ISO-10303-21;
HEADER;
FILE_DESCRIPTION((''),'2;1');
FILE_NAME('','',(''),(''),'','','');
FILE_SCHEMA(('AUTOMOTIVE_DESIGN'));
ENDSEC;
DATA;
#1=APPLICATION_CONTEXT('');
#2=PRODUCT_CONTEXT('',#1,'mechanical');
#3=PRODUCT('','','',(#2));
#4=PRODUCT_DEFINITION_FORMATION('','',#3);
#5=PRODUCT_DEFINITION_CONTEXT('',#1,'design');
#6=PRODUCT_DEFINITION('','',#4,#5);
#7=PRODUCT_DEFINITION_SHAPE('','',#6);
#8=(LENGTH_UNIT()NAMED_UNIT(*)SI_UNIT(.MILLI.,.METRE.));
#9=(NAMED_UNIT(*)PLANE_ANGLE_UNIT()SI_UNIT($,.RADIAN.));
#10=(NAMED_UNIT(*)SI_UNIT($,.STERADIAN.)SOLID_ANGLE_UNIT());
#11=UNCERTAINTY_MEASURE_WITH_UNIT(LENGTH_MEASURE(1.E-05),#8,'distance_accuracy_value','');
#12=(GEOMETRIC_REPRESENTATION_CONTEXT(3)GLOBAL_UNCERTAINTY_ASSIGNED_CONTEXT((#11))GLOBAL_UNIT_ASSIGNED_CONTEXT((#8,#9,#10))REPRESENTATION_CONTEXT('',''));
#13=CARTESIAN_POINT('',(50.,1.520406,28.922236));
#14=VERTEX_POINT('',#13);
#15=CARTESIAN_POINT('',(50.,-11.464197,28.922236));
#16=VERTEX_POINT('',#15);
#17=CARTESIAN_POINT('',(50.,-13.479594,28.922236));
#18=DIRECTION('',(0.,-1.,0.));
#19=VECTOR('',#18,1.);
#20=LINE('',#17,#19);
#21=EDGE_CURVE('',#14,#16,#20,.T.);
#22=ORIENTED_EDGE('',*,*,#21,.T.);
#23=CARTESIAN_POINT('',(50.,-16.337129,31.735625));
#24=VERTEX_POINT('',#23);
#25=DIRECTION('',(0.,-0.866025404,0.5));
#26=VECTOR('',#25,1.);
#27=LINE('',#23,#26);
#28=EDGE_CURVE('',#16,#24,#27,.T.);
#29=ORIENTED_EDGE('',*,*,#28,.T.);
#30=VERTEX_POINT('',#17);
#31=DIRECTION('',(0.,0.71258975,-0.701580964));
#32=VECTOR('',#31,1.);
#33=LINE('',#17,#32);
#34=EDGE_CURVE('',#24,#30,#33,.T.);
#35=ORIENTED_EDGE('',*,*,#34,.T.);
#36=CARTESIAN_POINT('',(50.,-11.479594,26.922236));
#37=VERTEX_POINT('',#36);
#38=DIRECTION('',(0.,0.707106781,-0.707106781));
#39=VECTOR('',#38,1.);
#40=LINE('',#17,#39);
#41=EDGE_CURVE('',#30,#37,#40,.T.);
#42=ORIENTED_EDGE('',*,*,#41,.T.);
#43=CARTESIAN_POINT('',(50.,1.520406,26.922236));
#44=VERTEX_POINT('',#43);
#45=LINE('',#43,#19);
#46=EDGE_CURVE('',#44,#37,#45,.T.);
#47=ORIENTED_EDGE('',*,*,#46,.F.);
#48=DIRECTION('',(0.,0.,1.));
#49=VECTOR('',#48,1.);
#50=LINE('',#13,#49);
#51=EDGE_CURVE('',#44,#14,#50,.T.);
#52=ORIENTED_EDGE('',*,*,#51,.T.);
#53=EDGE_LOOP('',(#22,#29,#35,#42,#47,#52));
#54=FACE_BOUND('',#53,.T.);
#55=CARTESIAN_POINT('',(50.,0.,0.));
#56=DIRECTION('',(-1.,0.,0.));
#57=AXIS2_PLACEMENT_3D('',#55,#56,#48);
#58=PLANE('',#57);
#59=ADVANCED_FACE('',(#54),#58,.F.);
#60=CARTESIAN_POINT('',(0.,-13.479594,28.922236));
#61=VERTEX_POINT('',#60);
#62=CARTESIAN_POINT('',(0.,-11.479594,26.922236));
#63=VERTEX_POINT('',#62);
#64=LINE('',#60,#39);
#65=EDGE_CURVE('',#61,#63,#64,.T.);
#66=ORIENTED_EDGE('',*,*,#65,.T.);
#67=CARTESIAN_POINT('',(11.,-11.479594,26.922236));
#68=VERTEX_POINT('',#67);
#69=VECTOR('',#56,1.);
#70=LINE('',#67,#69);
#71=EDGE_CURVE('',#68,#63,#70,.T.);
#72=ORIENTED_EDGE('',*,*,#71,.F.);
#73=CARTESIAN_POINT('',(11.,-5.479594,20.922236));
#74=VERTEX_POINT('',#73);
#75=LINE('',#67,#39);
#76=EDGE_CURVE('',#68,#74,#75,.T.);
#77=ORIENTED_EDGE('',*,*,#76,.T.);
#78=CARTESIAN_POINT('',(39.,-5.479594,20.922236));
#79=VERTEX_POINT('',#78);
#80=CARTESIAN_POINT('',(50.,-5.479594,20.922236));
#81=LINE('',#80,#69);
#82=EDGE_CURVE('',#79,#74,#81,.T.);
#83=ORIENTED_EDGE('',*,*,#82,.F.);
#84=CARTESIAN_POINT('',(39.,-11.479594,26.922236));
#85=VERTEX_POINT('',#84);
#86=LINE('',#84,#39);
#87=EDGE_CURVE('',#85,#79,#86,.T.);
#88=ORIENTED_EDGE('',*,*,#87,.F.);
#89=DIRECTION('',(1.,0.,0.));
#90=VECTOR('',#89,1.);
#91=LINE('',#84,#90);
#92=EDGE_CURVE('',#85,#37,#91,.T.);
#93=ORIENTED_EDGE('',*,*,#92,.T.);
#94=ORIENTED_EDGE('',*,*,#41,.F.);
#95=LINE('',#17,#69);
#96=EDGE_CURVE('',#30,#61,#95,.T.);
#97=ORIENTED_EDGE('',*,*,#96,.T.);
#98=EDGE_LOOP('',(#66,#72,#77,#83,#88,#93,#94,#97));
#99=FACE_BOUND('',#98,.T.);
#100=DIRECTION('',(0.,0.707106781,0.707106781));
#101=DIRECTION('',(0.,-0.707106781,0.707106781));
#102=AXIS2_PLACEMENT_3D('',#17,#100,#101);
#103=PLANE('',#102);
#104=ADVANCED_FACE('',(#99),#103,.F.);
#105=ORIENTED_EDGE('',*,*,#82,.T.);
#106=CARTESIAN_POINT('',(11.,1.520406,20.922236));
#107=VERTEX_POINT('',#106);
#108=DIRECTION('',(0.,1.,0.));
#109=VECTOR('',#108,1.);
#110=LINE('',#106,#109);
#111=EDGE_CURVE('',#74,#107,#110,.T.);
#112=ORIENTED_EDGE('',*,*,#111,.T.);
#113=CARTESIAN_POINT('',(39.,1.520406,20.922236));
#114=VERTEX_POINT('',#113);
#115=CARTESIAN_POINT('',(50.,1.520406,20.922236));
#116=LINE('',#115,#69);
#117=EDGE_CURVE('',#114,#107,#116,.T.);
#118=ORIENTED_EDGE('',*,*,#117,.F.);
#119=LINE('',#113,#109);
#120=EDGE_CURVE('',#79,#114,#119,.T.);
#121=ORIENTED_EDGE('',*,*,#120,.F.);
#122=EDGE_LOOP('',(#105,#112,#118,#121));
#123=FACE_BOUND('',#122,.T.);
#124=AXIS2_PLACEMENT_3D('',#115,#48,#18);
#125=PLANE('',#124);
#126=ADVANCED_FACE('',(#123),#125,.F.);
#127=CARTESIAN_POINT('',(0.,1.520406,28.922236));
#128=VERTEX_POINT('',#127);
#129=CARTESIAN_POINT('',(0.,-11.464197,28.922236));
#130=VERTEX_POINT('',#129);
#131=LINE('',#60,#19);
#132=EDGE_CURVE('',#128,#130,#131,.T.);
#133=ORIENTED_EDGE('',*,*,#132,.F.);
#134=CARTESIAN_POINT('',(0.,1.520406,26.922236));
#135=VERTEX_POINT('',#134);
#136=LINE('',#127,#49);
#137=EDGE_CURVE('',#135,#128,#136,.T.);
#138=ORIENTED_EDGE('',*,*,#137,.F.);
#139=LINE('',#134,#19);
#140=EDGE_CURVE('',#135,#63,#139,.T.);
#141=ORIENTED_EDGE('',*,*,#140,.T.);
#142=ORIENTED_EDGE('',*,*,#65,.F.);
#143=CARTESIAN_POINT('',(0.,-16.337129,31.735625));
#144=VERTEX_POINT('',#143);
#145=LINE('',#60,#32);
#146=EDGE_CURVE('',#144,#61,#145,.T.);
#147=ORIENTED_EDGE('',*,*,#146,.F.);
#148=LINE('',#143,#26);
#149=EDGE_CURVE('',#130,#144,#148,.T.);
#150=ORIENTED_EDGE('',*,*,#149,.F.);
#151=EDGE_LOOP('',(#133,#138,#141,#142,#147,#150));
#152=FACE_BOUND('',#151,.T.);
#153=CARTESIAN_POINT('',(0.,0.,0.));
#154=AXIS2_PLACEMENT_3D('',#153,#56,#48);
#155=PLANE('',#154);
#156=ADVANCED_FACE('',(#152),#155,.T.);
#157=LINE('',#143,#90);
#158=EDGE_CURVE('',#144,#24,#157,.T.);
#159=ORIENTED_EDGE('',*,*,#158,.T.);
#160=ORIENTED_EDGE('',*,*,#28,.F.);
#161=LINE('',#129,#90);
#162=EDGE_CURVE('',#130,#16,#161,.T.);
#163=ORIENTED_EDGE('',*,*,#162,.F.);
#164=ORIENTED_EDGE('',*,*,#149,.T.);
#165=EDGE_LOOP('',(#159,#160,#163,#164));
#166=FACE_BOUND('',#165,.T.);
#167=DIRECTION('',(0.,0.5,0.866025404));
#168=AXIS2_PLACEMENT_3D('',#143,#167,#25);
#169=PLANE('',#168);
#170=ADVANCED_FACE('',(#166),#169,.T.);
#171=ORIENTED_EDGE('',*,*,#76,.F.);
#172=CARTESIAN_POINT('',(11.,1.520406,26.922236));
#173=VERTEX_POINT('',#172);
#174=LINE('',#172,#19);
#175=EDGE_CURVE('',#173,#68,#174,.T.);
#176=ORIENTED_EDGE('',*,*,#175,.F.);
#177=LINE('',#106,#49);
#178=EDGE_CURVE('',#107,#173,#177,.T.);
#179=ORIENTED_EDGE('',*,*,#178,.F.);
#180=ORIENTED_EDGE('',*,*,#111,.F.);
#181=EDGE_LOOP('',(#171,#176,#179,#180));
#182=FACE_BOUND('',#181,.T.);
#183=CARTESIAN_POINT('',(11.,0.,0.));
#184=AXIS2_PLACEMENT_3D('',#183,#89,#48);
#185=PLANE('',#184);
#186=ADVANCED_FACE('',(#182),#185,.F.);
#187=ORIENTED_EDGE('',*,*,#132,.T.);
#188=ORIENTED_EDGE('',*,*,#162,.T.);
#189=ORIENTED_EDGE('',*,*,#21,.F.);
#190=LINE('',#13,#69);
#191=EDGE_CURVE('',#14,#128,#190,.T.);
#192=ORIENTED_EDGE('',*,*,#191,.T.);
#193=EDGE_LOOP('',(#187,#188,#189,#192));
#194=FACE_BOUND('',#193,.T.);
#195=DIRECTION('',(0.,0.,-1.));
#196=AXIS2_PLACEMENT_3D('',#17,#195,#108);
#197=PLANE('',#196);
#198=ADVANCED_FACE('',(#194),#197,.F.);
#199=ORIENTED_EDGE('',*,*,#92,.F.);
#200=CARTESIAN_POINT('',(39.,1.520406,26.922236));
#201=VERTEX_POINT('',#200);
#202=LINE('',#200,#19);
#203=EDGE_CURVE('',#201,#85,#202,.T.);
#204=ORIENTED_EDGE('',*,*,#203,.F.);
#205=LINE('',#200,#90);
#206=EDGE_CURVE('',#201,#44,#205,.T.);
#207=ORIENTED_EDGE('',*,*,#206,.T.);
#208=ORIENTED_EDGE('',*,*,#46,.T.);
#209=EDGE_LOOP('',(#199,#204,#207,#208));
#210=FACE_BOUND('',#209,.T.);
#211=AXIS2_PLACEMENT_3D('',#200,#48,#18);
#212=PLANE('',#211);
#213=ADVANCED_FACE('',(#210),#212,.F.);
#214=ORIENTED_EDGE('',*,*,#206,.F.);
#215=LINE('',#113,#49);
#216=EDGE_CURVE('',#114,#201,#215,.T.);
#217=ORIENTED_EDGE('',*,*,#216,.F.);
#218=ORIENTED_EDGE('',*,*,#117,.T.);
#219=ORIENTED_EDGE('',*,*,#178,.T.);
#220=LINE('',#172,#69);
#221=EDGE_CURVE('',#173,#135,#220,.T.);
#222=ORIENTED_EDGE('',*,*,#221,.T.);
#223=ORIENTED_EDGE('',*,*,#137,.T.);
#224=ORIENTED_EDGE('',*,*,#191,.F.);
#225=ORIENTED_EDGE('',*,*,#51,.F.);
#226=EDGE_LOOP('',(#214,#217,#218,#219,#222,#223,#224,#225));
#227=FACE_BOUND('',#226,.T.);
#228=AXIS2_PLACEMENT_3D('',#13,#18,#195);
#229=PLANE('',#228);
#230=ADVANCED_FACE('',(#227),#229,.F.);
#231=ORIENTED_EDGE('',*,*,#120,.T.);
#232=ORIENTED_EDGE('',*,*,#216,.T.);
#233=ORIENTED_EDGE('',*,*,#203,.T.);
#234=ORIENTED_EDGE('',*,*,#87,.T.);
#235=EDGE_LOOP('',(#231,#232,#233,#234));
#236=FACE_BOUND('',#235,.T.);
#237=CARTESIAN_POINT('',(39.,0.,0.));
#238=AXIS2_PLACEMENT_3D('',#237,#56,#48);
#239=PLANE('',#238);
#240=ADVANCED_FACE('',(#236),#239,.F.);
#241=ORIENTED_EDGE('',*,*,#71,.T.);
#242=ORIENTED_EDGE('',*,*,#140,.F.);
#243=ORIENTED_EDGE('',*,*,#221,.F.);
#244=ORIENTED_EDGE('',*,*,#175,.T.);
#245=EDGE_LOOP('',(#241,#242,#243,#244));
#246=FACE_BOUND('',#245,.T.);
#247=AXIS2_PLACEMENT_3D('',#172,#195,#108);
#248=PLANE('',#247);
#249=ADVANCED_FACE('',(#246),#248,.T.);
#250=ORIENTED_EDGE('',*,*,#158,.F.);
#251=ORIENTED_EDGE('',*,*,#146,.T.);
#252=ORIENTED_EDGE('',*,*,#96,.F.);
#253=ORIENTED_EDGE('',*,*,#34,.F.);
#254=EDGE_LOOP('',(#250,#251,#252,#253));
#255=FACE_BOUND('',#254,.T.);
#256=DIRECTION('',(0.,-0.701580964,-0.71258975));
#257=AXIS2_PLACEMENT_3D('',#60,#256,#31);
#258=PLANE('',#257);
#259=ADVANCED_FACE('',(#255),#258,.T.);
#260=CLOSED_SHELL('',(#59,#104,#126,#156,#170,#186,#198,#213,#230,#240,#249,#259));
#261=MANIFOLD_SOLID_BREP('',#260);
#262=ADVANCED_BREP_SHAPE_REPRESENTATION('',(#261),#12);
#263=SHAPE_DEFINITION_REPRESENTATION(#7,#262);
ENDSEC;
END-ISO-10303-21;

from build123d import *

# Parameters (mm, degrees)
BOSS_EXTRUDE1_DEPTH = 50
CUT_EXTRUDE1_DEPTH  = 11
BOSS_EXTRUDE2_DEPTH = 50


with BuildPart() as part:
    # Sketch1 → Boss-Extrude1 (new body)
    with BuildSketch(Plane(origin=(0, 0, 0), x_dir=(0, 0, -1), z_dir=(1, 0, 0))):
        Polygon((-28.922236088, -13.479594195), (-28.922236088, 1.520405805), (-20.922236088, 1.520405805), (-20.922236088, -5.479594195), align=None)
    extrude(amount=BOSS_EXTRUDE1_DEPTH)

    # Sketch2 → Cut-Extrude1 (cut)
    with BuildSketch(Plane(origin=(50, 0, 0), x_dir=(0, 0, -1), z_dir=(1, 0, 0))):
        Polygon((-20.922236088, 1.520405805), (-26.922236088, 1.520405805), (-26.922236088, -11.479594195), (-20.922236088, -5.479594195), align=None)
    cut_extrude1 = extrude(amount=-CUT_EXTRUDE1_DEPTH, mode=Mode.SUBTRACT)

    # Mirror1: Cut-Extrude1 across plane
    add(cut_extrude1.mirror(Plane(origin=(25, 0, 0), x_dir=(0, 0, 1), z_dir=(1, 0, 0))), mode=Mode.SUBTRACT)

    # Sketch3 → Boss-Extrude2 (add, through all)
    with BuildSketch(Plane(origin=(50, 0, 0), x_dir=(0, 0, -1), z_dir=(1, 0, 0))):
        Polygon((-28.922236088, -13.479594195), (-31.735625087, -16.337129199), (-28.922236088, -11.464196511), align=None)
    extrude(amount=-BOSS_EXTRUDE2_DEPTH)


solid = part.part
